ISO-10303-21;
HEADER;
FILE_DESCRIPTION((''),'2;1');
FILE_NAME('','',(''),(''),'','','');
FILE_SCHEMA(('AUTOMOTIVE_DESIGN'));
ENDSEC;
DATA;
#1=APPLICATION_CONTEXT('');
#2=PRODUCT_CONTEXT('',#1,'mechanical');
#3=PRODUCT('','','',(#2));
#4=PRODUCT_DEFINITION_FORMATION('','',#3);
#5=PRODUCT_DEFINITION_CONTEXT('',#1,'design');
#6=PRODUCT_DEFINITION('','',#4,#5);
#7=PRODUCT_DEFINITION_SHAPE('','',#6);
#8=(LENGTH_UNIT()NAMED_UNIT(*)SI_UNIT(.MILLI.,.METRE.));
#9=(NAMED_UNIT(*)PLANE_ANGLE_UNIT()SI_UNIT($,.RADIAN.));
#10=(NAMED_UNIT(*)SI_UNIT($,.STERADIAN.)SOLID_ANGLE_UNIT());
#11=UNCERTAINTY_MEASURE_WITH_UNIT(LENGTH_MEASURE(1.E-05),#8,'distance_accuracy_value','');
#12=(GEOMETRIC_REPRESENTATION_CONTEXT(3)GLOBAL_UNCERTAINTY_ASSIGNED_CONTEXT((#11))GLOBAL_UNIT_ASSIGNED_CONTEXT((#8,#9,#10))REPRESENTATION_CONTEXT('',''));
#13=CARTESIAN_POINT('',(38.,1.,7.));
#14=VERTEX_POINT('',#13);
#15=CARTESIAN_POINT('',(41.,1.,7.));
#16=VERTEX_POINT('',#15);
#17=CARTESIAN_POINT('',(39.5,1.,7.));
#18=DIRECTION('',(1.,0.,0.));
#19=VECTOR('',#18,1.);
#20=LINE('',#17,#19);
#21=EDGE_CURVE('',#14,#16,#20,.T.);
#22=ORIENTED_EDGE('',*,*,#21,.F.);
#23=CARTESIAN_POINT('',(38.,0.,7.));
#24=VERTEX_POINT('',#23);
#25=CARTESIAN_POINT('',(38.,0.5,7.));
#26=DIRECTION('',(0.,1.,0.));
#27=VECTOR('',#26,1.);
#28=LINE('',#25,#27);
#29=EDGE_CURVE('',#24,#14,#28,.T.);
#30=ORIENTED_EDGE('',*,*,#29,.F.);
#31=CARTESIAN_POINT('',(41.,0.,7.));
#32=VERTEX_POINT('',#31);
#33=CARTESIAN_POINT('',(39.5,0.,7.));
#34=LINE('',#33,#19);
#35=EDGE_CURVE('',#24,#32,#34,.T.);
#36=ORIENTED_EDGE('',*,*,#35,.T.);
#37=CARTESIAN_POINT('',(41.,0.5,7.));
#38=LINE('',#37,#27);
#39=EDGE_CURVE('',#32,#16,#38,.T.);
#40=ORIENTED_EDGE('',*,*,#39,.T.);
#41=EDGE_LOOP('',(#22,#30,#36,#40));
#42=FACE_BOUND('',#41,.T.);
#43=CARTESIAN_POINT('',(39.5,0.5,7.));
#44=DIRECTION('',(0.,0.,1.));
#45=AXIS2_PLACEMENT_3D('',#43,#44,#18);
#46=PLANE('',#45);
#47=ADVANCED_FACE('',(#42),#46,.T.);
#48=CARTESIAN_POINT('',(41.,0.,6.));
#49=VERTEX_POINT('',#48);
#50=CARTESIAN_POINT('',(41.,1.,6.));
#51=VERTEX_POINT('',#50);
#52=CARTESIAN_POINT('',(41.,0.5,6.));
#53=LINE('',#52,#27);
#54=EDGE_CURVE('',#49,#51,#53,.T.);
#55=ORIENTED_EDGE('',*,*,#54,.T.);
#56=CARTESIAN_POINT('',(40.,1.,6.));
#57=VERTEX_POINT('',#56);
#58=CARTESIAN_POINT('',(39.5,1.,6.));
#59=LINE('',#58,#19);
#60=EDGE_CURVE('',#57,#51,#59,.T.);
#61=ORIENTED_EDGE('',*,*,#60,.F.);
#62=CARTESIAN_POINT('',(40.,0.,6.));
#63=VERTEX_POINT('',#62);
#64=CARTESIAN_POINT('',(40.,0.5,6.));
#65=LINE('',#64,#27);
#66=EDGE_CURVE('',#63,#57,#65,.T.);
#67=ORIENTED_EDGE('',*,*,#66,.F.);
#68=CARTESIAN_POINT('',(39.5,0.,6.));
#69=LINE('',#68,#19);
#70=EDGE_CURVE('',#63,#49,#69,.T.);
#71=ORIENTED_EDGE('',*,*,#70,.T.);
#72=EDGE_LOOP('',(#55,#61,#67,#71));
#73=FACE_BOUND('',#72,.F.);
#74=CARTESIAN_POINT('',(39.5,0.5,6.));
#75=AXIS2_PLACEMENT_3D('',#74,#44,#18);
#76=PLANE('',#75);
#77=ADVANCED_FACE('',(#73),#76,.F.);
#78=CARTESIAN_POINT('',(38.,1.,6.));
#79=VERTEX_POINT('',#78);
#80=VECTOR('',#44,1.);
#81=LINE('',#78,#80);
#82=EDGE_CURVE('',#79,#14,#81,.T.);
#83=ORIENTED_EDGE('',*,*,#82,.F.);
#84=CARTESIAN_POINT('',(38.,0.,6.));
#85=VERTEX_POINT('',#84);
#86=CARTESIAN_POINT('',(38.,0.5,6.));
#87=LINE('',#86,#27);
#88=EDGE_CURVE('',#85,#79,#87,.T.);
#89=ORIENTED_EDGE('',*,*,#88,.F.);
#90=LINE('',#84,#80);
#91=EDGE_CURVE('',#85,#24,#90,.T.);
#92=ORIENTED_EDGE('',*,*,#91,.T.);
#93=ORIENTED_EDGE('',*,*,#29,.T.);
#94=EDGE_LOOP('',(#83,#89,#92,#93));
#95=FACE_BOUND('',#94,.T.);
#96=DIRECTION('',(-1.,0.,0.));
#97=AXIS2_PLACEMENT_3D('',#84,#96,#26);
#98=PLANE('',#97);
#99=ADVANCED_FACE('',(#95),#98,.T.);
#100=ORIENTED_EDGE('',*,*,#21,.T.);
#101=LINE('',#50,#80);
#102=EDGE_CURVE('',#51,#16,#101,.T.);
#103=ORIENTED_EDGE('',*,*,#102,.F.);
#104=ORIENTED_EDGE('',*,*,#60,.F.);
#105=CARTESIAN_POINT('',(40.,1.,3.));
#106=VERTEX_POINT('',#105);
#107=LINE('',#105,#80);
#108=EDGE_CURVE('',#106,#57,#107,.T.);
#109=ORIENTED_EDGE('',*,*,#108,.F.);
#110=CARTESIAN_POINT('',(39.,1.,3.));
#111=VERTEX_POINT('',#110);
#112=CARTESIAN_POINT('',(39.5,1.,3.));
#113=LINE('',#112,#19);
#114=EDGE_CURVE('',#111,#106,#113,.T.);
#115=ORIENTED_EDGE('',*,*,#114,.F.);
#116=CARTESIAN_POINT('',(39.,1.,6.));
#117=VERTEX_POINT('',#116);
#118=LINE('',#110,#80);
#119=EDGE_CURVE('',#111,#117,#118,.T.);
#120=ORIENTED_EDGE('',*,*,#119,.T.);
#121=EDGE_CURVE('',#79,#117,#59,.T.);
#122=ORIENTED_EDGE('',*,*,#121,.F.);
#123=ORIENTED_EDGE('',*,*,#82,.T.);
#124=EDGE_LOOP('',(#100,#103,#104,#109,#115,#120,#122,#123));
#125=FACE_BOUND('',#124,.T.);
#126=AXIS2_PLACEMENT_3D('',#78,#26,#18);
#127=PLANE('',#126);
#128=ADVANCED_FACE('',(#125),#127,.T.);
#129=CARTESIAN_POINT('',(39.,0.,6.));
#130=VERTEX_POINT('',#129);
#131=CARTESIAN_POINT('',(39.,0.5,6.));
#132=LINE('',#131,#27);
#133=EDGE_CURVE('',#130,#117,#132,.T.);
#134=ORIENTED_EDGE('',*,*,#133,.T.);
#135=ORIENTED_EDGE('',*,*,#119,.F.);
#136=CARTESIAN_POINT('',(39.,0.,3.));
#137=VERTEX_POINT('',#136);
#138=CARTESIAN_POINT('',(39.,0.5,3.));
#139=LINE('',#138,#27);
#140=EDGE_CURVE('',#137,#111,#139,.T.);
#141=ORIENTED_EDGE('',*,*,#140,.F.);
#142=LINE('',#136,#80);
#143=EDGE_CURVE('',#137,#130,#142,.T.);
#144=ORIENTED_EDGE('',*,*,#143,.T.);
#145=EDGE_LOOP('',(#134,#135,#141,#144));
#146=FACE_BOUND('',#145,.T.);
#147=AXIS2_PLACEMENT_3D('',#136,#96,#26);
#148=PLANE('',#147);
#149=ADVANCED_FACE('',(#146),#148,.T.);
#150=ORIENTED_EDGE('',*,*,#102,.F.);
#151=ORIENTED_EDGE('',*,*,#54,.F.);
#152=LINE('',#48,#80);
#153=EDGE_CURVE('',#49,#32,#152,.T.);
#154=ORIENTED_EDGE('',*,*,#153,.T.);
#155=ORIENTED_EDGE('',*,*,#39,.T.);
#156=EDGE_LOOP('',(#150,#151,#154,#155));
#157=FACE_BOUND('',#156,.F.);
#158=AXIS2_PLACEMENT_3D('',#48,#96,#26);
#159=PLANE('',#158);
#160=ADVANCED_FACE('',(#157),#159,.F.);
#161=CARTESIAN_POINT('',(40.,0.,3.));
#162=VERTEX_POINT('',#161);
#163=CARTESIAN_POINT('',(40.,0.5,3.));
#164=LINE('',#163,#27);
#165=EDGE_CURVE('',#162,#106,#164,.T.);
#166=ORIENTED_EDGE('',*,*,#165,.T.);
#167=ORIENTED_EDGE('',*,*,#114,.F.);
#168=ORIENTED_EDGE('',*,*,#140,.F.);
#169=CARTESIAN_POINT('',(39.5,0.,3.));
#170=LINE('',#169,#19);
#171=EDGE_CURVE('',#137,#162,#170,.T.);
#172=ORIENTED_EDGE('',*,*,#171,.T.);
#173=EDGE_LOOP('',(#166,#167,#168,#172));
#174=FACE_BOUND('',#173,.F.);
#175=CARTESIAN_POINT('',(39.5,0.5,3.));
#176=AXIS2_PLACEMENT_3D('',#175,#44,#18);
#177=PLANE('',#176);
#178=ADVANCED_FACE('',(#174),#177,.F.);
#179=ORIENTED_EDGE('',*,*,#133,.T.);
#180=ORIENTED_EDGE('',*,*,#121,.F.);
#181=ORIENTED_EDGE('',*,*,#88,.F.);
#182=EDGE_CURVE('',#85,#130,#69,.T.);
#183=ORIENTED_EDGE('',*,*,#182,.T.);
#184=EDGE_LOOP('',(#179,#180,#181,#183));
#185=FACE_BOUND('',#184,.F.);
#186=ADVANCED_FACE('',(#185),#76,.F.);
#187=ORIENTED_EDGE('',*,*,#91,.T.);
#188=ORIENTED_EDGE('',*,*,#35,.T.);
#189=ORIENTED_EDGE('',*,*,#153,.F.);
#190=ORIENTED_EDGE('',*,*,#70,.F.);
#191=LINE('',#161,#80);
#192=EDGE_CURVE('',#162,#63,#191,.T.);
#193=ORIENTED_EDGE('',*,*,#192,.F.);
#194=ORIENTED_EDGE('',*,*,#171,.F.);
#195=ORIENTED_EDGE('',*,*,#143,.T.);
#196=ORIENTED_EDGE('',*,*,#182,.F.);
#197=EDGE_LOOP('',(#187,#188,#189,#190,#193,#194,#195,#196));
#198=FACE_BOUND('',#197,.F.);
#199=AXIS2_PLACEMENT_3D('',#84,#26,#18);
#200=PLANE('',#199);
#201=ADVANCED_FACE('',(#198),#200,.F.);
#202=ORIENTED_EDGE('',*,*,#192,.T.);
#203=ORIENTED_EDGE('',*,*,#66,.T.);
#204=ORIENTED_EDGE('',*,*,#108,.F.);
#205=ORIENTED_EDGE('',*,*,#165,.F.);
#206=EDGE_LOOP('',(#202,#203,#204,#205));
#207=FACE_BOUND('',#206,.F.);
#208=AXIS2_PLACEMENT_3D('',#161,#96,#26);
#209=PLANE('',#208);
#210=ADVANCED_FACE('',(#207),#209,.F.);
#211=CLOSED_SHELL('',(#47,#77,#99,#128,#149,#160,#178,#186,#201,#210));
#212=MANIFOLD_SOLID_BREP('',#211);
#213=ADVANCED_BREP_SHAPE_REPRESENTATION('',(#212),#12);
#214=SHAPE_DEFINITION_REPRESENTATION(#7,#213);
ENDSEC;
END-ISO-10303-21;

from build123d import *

# Parameters (mm, degrees)
BOX074_W     = 1
BOX074_H     = 1
BOX074_DEPTH = 3
BOX069_W     = 3
BOX069_H     = 1
BOX069_DEPTH = 1


with BuildPart() as box074:
    # Box074 → Box074 (new body)
    with BuildSketch(Plane(origin=(39, 0, 3), x_dir=(1, 0, 0), z_dir=(0, 0, 1))):
        with Locations((0.5, 0.5)):
            Rectangle(BOX074_W, BOX074_H)
    extrude(amount=BOX074_DEPTH)


with BuildPart() as fusion033:
    # Box069 → Box069 (new body)
    with BuildSketch(Plane(origin=(38, 0, 6), x_dir=(1, 0, 0), z_dir=(0, 0, 1))):
        with Locations((1.5, 0.5)):
            Rectangle(BOX069_W, BOX069_H)
    extrude(amount=BOX069_DEPTH)

    # Fusion033: union Box074
    add(box074.part)


solid = fusion033.part
